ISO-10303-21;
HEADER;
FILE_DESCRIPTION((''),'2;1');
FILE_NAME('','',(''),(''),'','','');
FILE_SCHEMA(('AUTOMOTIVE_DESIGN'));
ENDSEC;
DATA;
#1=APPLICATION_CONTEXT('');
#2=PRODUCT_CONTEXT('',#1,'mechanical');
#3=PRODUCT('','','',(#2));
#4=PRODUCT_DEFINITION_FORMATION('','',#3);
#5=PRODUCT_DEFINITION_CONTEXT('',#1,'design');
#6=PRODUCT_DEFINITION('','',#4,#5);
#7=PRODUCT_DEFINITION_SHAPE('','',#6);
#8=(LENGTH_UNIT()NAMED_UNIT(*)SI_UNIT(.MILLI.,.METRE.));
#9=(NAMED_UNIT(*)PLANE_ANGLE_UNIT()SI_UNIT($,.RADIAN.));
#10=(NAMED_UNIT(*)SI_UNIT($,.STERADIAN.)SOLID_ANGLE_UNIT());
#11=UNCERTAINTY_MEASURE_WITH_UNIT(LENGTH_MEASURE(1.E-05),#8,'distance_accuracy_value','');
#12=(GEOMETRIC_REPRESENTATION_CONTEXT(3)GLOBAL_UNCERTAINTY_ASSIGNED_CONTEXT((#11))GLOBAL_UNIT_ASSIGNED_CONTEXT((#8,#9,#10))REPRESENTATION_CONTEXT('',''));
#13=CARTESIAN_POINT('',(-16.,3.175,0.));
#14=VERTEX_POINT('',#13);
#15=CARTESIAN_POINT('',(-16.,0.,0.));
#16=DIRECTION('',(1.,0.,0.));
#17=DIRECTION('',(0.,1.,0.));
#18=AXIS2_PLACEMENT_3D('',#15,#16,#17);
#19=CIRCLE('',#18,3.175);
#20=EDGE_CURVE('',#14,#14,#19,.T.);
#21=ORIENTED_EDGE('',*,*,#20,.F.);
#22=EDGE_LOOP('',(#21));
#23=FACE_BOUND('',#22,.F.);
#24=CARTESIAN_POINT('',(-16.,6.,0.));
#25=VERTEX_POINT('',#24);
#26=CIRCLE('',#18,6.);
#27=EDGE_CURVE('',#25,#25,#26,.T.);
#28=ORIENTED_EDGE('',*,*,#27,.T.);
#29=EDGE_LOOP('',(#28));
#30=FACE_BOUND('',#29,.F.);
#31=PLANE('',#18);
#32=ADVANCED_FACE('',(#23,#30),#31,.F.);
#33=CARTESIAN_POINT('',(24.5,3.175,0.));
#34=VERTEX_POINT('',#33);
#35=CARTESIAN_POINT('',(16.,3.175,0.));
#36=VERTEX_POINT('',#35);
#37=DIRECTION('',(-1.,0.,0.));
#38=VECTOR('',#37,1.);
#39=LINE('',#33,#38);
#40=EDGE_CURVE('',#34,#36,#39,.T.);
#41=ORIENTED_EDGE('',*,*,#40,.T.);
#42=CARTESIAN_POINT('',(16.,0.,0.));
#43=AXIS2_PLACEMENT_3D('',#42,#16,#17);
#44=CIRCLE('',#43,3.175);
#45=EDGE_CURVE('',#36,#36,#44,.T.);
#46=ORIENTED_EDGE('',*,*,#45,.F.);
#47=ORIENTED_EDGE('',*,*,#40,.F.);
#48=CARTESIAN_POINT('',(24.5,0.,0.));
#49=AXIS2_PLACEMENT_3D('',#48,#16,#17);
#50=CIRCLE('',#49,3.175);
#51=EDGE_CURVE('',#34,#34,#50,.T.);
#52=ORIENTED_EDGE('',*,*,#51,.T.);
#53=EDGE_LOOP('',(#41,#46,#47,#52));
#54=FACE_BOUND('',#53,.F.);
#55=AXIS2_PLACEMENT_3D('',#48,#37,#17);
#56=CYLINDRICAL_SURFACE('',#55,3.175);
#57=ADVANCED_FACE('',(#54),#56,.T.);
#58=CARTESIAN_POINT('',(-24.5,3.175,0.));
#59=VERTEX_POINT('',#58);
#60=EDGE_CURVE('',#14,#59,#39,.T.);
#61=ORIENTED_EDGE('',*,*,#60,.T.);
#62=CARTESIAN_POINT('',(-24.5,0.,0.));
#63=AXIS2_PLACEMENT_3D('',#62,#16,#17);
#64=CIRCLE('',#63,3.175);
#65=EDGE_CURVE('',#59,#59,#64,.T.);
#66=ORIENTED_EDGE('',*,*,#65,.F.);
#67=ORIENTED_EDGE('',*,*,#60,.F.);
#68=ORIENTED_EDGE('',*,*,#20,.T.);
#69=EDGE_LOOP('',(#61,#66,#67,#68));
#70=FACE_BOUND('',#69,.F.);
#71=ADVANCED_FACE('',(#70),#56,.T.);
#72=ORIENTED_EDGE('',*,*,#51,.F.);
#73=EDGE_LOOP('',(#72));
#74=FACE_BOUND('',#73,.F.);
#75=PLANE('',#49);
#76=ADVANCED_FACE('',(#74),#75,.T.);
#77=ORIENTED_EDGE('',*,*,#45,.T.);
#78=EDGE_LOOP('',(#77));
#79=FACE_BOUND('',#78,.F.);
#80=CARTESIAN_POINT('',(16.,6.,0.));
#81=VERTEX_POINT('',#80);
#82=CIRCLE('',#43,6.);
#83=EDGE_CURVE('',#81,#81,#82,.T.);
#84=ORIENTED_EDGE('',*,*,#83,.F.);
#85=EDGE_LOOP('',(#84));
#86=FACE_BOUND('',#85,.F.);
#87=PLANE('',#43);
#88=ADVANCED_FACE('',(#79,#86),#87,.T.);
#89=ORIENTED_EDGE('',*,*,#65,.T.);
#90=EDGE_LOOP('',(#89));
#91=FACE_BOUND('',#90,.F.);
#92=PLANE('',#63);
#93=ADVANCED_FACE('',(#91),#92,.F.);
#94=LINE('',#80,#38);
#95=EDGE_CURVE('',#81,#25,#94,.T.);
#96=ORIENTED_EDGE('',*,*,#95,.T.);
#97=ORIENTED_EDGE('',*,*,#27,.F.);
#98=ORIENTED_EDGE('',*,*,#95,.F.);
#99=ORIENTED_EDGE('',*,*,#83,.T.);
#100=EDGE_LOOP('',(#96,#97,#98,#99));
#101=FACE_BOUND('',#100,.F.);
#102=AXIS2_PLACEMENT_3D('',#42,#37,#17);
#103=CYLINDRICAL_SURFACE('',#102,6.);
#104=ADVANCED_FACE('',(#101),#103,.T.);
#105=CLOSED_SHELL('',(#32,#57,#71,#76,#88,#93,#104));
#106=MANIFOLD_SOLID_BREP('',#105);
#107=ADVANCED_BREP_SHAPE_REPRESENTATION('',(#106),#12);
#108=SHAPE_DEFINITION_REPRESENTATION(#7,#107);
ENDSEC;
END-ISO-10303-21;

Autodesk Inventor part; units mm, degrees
ref_plane "YZ Plane" through (0, 0, 0) normal (1, 0, 0) x (0, 1, 0)
ref_plane "XZ Plane" through (0, 0, 0) normal (0, 1, 0) x (-1, 0, 0)
ref_plane "XY Plane" through (0, 0, 0) normal (0, 0, 1) x (1, 0, 0)
sketch "Sketch1" plane through (0, 0, 0) normal (0, 0, 1) x (1, 0, 0)
  line L0 (-24.5, 0) -> (24.5, 0)
  line L1 (24.5, 0) -> (24.5, 3.175)
  line L2 (24.5, 3.175) -> (-24.5, 3.175)
  line L3 (-24.5, 3.175) -> (-24.5, 0)
  line L4 (-16, 3.175) -> (16, 3.175)
  line L5 (16, 3.175) -> (16, 6)
  line L6 (16, 6) -> (-16, 6)
  line L7 (-16, 6) -> (-16, 3.175)
  point P0 (0, 0)
  point P1 (0, 0)
  point P2 (0, 3.175)
  dimension "d0" = 49
  dimension "d1" = 6.35
  dimension "d2" = 32
  dimension "d3" = 12
revolve "Revolution1" add sketch "Sketch1" angle 360 about axis through (-24.5, 0, 0) along (1, 0, 0)
properties part number "wristPin" material "Silicon Nitride"
